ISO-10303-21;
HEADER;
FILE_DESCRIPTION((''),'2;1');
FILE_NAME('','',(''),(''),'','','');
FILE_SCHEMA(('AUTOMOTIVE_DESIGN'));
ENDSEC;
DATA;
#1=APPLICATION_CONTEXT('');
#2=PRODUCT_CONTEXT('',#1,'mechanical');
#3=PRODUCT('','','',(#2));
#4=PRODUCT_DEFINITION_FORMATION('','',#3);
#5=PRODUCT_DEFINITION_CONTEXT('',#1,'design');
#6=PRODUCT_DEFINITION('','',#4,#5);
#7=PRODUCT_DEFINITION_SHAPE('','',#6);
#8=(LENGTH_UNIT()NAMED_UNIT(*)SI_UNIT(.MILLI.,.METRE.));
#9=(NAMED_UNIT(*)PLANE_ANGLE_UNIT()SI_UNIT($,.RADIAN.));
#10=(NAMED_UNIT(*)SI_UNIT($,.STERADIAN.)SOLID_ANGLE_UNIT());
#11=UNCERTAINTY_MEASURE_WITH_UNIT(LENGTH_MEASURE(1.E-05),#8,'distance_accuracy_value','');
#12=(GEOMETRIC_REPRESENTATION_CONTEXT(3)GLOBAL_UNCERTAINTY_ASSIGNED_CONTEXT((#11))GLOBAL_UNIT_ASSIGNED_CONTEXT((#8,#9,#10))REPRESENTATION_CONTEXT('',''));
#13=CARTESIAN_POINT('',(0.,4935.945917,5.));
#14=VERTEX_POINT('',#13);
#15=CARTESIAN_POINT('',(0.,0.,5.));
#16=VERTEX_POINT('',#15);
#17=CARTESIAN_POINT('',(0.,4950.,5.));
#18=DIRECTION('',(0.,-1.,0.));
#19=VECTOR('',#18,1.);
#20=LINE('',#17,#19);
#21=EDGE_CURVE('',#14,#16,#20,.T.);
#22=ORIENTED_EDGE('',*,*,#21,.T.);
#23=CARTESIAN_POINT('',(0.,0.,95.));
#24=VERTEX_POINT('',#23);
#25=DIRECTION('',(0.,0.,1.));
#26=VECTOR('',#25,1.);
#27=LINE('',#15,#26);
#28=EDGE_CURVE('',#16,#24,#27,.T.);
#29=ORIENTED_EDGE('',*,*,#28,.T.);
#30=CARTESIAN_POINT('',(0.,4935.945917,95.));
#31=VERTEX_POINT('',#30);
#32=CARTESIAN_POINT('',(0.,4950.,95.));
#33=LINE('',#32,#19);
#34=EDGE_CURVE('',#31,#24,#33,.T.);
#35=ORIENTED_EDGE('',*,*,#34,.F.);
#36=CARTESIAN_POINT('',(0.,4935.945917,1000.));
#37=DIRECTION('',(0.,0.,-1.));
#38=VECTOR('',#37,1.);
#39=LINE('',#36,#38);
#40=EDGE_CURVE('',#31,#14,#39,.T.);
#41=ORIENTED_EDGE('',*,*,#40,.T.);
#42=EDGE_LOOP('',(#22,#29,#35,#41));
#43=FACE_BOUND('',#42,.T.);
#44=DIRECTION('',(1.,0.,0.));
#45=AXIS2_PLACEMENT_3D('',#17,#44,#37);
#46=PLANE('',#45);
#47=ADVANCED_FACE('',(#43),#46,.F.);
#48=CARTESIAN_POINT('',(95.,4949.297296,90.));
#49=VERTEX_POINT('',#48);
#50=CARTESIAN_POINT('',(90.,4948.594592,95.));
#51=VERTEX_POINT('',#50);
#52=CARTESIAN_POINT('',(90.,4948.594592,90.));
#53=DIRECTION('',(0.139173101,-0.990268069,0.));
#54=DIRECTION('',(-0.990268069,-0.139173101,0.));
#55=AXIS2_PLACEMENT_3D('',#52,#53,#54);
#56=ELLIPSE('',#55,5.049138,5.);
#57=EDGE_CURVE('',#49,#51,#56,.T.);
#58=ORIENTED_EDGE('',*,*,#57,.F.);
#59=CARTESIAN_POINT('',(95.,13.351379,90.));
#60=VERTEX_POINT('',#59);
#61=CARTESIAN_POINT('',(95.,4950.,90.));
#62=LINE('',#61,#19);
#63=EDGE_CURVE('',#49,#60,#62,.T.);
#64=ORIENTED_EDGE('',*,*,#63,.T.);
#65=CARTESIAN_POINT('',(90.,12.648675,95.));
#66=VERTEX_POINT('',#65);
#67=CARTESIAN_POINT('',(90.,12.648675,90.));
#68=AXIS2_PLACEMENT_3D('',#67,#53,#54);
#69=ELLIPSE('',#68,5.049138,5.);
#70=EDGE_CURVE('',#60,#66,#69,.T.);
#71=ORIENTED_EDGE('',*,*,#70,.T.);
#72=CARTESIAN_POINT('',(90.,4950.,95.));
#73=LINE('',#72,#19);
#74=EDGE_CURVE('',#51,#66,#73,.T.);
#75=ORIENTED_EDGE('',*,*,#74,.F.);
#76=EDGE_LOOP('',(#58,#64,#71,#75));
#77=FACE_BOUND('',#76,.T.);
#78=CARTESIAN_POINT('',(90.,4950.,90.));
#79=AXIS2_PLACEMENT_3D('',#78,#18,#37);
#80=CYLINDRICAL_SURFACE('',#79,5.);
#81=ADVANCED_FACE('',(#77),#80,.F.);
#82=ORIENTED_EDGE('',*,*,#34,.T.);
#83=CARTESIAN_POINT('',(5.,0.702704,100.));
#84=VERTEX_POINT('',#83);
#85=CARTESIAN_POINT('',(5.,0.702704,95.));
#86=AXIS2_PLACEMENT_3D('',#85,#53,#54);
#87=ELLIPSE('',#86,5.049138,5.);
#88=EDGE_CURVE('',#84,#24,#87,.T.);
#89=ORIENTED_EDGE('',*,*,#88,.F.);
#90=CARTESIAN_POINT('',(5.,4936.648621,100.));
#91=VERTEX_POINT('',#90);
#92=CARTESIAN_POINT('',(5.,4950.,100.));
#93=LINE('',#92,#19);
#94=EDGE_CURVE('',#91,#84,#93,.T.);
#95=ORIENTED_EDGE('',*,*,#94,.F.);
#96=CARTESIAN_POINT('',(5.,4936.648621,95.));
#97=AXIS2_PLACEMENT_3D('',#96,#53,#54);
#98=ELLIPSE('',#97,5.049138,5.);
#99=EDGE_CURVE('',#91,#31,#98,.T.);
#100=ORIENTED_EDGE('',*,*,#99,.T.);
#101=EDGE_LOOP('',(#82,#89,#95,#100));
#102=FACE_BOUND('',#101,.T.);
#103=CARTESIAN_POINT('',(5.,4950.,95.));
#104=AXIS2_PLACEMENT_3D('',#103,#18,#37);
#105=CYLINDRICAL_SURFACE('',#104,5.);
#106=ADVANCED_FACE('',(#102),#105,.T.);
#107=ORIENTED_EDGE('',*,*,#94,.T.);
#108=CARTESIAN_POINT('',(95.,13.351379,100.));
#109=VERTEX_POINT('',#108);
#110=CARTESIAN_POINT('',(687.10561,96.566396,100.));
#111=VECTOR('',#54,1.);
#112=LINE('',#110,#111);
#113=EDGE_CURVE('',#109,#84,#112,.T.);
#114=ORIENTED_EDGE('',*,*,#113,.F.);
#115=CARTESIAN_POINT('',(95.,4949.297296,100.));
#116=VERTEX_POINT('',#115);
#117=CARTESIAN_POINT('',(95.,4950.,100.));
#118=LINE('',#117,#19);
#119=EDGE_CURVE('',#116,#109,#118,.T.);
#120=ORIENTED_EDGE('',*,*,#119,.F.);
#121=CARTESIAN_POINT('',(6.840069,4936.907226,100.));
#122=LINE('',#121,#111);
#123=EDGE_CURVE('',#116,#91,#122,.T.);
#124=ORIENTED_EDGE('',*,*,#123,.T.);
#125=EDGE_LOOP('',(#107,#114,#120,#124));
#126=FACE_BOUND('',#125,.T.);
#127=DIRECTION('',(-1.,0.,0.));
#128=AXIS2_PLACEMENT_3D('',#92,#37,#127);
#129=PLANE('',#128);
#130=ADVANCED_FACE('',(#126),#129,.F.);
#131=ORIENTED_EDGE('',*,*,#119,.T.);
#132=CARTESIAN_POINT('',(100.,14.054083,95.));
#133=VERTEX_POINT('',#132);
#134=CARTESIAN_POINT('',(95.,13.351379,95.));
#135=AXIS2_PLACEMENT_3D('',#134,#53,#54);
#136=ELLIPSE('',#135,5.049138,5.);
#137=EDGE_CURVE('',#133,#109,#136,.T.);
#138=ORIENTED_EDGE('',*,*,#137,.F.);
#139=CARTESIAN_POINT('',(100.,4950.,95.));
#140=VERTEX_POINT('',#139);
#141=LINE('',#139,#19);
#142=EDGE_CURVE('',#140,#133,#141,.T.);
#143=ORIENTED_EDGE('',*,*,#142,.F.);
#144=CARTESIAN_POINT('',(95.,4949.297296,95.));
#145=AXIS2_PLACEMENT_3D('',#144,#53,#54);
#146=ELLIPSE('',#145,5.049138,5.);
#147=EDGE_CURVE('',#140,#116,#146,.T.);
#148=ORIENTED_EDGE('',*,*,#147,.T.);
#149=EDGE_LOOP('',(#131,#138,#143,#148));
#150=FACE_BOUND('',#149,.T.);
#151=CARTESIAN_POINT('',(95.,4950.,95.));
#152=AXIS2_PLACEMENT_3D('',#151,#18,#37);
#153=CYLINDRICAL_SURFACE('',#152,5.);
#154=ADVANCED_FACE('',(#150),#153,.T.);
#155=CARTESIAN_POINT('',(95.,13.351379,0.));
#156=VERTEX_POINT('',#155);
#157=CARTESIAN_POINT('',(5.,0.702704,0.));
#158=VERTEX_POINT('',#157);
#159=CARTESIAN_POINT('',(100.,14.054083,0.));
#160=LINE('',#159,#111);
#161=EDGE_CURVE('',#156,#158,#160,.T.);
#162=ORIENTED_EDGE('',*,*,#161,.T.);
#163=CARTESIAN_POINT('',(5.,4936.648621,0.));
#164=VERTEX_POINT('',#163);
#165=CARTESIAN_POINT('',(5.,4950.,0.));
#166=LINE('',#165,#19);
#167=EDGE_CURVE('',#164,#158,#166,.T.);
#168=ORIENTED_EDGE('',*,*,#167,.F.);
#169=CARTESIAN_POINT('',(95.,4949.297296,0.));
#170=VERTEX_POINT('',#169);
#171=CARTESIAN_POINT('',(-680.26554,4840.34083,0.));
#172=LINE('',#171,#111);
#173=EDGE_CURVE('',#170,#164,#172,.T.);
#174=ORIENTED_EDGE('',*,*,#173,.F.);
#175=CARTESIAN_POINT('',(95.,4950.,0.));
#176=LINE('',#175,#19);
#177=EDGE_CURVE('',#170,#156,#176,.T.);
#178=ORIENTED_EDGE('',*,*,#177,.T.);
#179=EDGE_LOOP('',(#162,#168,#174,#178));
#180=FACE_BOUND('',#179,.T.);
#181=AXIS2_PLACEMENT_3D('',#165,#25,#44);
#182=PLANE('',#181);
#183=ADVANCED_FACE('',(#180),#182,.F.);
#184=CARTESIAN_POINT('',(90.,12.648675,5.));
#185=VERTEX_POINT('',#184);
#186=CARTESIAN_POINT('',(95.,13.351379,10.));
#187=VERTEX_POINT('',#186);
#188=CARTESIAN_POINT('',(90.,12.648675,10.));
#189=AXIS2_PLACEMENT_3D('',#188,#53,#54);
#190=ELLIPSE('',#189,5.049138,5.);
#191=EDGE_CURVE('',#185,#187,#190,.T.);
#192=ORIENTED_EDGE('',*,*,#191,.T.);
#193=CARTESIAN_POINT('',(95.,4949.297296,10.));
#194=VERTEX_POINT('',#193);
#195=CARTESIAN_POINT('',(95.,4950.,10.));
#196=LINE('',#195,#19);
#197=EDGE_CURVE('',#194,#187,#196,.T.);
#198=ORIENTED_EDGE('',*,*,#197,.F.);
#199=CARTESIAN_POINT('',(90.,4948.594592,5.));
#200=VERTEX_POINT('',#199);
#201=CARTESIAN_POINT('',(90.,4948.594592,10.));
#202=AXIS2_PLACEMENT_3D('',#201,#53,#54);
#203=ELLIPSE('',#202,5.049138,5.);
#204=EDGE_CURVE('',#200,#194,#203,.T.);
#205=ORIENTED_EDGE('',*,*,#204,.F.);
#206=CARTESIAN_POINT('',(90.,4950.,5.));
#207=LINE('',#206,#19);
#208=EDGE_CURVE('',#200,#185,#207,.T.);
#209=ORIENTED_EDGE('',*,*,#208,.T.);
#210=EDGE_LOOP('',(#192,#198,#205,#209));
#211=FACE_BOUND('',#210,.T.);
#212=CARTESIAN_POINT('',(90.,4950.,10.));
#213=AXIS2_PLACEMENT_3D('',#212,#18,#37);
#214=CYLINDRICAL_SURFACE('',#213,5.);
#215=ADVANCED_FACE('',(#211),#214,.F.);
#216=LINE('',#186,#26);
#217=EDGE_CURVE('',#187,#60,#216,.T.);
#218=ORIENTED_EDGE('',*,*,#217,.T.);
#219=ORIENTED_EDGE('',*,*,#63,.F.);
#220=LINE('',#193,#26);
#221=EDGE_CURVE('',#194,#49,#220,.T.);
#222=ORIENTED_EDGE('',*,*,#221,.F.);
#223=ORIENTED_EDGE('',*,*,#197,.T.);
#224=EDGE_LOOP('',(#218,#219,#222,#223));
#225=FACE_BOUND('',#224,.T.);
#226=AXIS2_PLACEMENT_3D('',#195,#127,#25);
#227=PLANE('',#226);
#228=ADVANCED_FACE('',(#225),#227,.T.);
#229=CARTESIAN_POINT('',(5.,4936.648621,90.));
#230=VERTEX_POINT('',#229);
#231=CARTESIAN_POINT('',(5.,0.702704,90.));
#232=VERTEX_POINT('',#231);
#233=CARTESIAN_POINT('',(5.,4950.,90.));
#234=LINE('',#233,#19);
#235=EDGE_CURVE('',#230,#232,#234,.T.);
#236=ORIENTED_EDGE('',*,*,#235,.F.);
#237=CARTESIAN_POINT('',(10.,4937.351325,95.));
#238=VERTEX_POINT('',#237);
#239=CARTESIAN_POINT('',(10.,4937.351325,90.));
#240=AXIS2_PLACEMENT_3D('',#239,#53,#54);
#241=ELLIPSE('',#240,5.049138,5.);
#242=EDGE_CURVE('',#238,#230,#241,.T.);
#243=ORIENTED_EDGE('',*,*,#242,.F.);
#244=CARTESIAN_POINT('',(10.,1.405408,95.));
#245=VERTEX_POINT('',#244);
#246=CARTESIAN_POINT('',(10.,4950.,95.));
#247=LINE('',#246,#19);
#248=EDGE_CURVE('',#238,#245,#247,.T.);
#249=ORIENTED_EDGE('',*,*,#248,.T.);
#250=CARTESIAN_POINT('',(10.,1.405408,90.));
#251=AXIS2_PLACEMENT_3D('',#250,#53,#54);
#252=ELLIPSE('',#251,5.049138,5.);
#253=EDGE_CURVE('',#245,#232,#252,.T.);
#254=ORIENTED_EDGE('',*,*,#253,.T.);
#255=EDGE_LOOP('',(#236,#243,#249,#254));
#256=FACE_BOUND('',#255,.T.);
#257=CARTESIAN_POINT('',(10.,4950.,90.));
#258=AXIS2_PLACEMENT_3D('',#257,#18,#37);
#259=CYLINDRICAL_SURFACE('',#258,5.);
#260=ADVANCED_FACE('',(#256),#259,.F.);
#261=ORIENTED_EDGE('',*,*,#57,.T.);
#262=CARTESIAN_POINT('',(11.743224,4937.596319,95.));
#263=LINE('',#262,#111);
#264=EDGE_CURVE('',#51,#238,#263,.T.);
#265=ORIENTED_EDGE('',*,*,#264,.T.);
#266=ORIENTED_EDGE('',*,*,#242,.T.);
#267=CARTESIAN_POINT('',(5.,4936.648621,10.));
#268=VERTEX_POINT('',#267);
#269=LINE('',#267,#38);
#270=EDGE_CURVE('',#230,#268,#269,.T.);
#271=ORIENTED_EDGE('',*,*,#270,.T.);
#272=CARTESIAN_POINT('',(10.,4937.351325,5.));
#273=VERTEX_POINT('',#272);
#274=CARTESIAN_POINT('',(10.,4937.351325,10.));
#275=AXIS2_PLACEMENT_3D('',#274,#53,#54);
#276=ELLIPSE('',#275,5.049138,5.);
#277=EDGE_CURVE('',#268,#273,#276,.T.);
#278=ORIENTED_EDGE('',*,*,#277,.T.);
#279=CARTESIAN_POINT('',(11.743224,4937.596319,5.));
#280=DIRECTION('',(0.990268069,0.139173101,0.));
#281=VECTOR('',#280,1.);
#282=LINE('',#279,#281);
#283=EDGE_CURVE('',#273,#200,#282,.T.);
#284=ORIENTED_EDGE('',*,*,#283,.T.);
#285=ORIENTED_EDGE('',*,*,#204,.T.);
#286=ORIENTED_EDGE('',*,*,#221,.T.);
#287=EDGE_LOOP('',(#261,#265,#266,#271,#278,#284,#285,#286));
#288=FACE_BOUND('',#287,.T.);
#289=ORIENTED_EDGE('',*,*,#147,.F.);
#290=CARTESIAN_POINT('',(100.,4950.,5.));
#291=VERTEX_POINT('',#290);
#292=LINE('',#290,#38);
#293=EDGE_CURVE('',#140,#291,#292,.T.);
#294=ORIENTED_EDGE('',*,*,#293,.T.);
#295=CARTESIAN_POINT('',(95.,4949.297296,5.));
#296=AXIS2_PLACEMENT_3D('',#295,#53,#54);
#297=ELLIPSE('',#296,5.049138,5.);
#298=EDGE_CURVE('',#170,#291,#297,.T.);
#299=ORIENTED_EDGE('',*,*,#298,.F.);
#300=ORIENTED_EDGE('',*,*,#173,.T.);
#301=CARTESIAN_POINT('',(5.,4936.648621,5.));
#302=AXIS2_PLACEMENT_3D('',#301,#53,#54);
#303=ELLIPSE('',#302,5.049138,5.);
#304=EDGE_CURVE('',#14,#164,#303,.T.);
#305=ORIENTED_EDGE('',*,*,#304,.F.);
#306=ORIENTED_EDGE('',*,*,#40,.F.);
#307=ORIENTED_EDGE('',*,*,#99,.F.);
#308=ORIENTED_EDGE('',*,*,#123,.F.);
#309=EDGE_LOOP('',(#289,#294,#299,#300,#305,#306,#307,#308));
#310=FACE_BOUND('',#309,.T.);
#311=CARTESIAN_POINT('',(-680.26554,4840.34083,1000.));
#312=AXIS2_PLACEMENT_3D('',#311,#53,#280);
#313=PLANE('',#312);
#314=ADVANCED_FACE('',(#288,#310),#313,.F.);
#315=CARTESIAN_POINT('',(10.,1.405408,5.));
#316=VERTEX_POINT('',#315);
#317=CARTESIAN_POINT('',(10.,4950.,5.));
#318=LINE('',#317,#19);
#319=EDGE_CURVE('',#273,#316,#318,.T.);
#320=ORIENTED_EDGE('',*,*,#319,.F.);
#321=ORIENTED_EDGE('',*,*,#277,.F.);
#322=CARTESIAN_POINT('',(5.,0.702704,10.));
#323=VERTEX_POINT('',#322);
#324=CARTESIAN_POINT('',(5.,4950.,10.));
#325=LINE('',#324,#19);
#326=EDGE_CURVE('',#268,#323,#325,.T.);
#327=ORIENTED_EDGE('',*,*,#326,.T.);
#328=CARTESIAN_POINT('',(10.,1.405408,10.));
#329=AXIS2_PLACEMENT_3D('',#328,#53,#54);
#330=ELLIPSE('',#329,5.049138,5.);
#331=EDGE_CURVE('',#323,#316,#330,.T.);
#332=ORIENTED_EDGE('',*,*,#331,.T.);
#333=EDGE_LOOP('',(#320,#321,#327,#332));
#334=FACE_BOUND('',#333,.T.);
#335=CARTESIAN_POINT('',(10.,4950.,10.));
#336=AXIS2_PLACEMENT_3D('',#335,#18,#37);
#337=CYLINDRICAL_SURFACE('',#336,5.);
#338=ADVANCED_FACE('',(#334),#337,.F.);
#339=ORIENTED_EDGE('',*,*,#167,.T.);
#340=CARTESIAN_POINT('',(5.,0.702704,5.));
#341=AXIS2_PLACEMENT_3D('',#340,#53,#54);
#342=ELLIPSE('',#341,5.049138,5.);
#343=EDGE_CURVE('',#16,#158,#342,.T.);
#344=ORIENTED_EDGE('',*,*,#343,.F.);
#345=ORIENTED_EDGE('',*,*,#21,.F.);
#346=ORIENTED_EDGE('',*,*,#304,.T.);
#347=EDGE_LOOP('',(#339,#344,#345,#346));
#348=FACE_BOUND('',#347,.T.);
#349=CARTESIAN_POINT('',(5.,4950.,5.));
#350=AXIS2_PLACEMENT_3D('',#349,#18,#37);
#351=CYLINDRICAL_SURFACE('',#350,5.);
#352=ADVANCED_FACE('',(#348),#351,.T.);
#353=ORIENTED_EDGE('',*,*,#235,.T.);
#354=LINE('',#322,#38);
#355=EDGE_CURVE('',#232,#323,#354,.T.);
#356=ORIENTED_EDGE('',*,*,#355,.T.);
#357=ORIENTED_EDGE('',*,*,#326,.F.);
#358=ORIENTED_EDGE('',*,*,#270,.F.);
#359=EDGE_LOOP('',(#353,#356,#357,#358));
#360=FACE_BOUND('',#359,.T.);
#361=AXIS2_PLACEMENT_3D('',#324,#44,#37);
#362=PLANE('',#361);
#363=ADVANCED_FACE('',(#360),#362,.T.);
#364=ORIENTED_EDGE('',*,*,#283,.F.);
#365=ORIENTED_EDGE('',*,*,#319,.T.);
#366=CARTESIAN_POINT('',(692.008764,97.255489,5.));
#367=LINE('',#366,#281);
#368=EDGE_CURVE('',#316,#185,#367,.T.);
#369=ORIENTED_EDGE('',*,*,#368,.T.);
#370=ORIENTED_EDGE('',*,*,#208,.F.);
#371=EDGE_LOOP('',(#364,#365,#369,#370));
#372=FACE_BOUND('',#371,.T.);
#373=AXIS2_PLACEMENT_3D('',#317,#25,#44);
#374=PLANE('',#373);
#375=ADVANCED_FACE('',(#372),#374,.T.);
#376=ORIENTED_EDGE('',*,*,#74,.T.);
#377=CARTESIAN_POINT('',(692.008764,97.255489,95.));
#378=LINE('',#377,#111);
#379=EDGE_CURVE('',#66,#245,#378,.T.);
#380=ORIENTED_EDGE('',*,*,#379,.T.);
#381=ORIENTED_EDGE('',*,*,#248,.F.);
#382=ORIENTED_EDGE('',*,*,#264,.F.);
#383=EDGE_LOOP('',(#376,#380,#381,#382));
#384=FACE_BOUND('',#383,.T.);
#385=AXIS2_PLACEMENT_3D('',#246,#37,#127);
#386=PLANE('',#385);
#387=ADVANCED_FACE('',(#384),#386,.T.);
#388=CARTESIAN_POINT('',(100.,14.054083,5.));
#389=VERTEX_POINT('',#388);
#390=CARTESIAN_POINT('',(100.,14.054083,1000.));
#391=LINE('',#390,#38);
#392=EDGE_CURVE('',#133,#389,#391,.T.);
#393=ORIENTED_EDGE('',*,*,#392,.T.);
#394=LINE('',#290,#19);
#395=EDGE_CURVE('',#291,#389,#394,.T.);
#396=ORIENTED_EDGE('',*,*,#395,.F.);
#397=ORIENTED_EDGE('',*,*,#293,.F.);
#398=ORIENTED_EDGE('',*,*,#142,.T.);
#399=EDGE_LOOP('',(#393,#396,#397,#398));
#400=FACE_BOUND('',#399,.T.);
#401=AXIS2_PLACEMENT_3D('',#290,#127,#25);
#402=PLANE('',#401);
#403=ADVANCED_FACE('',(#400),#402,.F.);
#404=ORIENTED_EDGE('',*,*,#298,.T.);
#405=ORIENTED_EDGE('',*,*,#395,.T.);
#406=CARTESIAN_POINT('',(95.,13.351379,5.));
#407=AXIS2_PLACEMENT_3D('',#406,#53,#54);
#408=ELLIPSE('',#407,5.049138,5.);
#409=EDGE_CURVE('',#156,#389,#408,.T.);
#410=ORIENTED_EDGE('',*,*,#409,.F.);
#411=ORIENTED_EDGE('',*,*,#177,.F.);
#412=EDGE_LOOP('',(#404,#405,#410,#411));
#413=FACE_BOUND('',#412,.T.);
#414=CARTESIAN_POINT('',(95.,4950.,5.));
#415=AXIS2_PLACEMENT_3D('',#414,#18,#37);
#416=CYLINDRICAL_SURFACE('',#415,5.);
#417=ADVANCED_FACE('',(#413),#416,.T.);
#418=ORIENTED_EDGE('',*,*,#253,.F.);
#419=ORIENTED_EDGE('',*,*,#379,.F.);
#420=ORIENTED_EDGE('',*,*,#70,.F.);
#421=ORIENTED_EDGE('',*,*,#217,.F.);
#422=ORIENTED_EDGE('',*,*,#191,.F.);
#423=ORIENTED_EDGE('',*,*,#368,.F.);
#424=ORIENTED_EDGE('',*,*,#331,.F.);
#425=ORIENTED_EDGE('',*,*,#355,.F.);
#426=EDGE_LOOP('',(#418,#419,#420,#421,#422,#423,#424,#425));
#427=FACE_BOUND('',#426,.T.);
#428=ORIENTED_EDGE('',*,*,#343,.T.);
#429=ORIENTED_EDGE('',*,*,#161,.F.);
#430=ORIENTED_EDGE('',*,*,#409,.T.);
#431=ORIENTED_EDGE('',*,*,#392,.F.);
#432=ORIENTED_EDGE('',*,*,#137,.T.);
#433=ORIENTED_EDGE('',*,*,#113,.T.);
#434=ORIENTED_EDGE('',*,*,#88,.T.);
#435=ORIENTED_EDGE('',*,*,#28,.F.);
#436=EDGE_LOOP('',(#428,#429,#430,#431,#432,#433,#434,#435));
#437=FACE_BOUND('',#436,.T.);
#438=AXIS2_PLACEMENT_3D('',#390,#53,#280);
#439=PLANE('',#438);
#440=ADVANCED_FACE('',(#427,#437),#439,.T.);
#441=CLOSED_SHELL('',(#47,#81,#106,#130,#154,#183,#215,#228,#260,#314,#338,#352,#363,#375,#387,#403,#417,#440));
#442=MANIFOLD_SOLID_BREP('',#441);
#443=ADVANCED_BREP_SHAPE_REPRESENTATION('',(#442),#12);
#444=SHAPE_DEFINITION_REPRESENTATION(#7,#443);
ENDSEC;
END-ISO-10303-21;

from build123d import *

# Parameters (mm, degrees)
BOSS_EXTRUDE1_DEPTH = 4950
CUT_EXTRUDE1_DEPTH  = 1000


with BuildPart() as part:
    # Sketch1 → Boss-Extrude1 (new body)
    with BuildSketch(Plane(origin=(0, 0, 0), x_dir=(1, 0, 0), z_dir=(0, 1, 0))):
        with BuildLine():
            Line((5, 0), (95, 0))
            ThreePointArc((95, 0), (98.535533906, -1.464466094), (100, -5))
            Line((100, -5), (100, -95))
            ThreePointArc((100, -95), (98.535533906, -98.535533906), (95, -100))
            Line((95, -100), (5, -100))
            ThreePointArc((5, -100), (1.464466094, -98.535533906), (0, -95))
            Line((0, -95), (0, -5))
            ThreePointArc((0, -5), (1.464466094, -1.464466094), (5, 0))
        make_face()
        with BuildLine():
            Line((10, -5), (90, -5))
            ThreePointArc((90, -5), (93.535533906, -6.464466094), (95, -10))
            Line((95, -10), (95, -90))
            ThreePointArc((95, -90), (93.535533906, -93.535533906), (90, -95))
            Line((90, -95), (10, -95))
            ThreePointArc((10, -95), (6.464466094, -93.535533906), (5, -90))
            Line((5, -90), (5, -10))
            ThreePointArc((5, -10), (6.464466094, -6.464466094), (10, -5))
        make_face(mode=Mode.SUBTRACT)
    extrude(amount=BOSS_EXTRUDE1_DEPTH)

    # Sketch2 → Cut-Extrude1 (cut)
    with BuildSketch(Plane(origin=(0, 0, 0), x_dir=(-1, 0, 0), z_dir=(0, 0, -1))):
        Polygon((-95, 4950), (-95, 4949.297295826), (-5, 4936.648620703), (-5, 4950), align=None)
        Polygon((-5, 4936.648620703), (0, 4935.94591653), (0, 4950), (-5, 4950), align=None)
        Polygon((-100, 4950), (-95, 4949.297295826), (-95, 4950), align=None)
        Polygon((-100, 0), (-100, 14.05408347), (0, 0), align=None)
    extrude(amount=-CUT_EXTRUDE1_DEPTH, mode=Mode.SUBTRACT)


solid = part.part
